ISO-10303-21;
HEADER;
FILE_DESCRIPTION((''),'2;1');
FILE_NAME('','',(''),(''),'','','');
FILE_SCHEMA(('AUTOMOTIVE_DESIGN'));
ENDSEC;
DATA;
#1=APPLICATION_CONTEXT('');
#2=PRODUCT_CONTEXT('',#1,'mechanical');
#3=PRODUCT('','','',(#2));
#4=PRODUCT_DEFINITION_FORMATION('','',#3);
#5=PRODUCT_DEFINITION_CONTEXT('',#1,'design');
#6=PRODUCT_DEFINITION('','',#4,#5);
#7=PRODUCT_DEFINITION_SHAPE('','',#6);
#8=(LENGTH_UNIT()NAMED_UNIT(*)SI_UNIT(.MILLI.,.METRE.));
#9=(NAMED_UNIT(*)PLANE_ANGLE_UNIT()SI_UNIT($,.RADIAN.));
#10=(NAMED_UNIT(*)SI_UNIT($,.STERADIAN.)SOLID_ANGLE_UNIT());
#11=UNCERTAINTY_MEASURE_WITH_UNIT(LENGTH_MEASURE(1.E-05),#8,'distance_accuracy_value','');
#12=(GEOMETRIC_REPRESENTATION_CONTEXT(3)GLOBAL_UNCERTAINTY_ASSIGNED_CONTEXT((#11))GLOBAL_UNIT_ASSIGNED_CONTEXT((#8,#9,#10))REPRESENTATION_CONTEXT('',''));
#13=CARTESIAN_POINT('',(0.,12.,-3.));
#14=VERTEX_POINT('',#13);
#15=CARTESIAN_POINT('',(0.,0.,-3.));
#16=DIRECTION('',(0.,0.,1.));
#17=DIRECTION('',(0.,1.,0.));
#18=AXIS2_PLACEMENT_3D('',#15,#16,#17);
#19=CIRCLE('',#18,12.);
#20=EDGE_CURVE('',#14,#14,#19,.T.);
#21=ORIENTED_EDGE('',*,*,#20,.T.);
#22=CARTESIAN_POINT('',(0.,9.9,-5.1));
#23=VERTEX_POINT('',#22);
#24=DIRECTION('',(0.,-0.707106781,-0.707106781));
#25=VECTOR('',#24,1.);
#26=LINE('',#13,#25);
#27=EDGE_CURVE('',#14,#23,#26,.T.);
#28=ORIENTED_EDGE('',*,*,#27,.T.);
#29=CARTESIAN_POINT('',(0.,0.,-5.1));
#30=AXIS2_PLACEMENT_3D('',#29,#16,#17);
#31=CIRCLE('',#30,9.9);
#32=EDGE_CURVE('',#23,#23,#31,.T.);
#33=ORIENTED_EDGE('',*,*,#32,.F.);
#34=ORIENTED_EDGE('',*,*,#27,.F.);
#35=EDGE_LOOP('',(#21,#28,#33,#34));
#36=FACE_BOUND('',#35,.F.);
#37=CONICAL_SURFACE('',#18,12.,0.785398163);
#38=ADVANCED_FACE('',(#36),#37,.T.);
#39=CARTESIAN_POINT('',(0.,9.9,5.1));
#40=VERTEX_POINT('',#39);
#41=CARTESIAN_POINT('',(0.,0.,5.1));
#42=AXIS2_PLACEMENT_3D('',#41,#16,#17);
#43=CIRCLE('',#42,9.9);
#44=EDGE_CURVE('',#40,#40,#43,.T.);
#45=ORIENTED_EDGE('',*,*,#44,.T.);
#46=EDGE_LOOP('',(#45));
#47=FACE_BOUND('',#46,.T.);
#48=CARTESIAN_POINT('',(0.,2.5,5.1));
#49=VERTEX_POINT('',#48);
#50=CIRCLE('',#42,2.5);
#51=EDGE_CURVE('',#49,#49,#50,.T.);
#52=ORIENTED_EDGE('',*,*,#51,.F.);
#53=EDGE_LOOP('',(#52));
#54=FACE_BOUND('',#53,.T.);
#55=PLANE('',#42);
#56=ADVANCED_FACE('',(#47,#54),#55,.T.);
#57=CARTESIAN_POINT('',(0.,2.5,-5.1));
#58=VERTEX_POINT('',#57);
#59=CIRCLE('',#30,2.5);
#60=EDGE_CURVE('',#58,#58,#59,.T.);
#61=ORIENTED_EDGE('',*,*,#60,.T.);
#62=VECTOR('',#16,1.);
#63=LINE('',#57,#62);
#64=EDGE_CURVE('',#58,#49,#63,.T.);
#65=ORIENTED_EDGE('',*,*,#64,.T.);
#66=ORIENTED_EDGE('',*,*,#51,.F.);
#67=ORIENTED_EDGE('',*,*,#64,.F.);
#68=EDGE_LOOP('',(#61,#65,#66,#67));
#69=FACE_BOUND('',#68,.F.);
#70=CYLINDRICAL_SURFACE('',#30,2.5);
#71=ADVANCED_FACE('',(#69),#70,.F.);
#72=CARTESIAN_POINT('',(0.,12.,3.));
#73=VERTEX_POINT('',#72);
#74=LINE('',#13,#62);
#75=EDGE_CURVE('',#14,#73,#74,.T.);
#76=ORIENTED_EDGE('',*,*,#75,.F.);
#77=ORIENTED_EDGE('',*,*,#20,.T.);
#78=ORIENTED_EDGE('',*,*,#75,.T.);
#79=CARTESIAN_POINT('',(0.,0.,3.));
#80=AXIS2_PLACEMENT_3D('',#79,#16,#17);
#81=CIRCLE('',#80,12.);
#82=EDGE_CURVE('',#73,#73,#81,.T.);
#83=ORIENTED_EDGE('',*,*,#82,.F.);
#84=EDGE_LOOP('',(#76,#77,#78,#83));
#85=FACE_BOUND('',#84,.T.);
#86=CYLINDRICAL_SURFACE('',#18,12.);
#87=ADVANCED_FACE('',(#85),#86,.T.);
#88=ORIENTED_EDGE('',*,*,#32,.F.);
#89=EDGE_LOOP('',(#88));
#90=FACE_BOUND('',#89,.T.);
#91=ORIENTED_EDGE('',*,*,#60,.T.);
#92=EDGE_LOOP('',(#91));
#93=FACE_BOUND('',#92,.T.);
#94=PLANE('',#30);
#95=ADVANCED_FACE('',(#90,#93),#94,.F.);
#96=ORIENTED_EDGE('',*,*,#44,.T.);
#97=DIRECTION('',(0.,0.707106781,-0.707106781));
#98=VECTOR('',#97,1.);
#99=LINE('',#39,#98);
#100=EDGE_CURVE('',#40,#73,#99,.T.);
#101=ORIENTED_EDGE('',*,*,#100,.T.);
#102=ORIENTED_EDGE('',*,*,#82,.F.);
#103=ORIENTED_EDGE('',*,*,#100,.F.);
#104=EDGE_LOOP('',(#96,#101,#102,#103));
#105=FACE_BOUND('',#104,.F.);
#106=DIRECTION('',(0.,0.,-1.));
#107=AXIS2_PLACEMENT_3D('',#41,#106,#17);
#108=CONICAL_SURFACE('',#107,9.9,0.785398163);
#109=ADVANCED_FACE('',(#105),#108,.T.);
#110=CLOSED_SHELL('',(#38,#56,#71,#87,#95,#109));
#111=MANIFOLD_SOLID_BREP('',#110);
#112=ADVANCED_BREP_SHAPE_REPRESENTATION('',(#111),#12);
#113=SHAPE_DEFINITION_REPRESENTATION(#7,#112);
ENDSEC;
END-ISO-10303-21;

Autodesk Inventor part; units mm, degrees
ref_plane "YZ Plane" through (0, 0, 0) normal (1, 0, 0) x (0, 1, 0)
ref_plane "XZ Plane" through (0, 0, 0) normal (0, 1, 0) x (-1, 0, 0)
ref_plane "XY Plane" through (0, 0, 0) normal (0, 0, 1) x (1, 0, 0)
sketch "Sketch2" plane through (0, 0, 0) normal (1, 0, 0) x (0, 1, 0)
  line L0 (12, -3) -> (12, 3)
  line L1 (12, -3) -> (-2.5, 0.625) construction
  line L2 (0, -5.1) -> (9.9, -5.1)
  line L3 (9.9, 5.1) -> (0, 5.1)
  line L4 (9.9, -5.1) -> (-2.5, 1.2879) construction
  line L5 (9.9, 5.1) -> (12, 3)
  line L6 (12, -3) -> (9.9, -5.1)
  line L7 (0, -5.1) -> (2.5, -5.1)
  line L8 (2.5, -5.1) -> (2.5, 5.1)
  line L9 (2.5, 5.1) -> (0, 5.1)
  line L10 (-2.5, -5.1) -> (2.5, 5.1) construction
  line L11 (2.5, -5.1) -> (-2.5, 5.1) construction
  line L12 (-2.5, -0.625) -> (12, 3) construction
  line L13 (-2.5, -1.2879) -> (9.9, 5.1) construction
  line L14 (0, -5.1) -> (0, 5.1)
  point P0 (0, 0)
  dimension "d5" = 6
  dimension "d8" = 10.2
revolve "Revolution1" add sketch "Sketch2" angle 360 about axis through (0, 0, -5.1) along (0, 0, 1) contours L6 L2 L8 L3 L5 L0
properties part number "roller" material "Rubber"
